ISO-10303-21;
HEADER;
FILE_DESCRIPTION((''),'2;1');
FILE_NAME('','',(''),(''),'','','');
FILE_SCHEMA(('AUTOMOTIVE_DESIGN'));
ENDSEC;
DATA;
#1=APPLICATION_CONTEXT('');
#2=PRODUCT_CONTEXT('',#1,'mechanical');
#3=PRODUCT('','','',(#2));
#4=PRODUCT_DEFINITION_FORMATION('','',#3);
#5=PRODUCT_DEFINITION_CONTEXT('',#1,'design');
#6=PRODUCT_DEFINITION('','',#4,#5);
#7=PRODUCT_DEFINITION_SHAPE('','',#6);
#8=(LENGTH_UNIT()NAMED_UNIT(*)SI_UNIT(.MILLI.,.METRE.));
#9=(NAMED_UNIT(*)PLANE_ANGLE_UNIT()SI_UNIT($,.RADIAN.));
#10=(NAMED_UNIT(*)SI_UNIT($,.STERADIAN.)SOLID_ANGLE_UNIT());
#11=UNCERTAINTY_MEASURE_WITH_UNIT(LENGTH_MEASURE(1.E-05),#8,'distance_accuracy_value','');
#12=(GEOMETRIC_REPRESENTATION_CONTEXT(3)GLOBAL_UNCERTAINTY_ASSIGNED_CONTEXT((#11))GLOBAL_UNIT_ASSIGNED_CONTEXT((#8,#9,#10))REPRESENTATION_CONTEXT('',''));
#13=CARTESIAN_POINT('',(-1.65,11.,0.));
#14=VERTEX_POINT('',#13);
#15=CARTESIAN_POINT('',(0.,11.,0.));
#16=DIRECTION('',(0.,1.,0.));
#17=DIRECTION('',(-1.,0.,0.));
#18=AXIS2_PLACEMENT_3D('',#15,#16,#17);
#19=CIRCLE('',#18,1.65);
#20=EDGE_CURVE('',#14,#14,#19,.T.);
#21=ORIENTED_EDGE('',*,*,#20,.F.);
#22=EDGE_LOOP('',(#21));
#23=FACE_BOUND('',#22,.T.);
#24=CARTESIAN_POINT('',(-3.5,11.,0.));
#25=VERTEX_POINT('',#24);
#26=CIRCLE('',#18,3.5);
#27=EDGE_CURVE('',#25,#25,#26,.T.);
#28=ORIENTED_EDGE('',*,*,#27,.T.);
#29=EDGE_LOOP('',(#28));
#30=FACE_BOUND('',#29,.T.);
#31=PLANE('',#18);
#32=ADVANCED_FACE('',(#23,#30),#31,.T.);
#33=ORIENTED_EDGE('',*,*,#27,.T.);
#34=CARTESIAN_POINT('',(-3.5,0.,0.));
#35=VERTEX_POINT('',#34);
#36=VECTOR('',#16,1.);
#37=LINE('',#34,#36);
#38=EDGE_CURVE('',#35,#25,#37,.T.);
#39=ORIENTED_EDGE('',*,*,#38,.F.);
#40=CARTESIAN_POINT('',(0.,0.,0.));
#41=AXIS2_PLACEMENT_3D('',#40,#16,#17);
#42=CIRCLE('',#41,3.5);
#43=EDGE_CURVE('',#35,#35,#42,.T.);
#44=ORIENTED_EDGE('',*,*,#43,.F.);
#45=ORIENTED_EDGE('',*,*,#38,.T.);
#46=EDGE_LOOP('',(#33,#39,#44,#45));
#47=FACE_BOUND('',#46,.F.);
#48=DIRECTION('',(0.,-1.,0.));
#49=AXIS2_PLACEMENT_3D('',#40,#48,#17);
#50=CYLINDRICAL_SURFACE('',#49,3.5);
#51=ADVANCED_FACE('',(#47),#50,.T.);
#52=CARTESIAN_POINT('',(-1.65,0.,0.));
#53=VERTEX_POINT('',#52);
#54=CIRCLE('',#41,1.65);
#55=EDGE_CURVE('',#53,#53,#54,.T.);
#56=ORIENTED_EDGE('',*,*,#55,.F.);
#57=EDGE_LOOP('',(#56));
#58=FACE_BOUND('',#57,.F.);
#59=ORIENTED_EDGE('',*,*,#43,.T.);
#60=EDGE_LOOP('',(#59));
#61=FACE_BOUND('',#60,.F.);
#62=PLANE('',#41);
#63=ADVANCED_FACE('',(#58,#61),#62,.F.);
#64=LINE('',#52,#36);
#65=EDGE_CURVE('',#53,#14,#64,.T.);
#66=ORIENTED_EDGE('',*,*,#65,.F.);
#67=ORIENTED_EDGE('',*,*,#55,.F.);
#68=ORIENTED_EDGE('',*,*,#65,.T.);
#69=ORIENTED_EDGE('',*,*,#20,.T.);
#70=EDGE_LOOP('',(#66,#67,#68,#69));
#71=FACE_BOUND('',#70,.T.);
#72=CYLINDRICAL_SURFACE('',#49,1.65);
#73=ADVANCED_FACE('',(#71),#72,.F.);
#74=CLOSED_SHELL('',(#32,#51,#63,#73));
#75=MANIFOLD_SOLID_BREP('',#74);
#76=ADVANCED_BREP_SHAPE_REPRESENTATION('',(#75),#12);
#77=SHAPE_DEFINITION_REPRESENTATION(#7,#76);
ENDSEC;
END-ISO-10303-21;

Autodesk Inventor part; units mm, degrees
ref_plane "YZ Plane" through (0, 0, 0) normal (1, 0, 0) x (0, 1, 0)
ref_plane "XZ Plane" through (0, 0, 0) normal (0, 1, 0) x (-1, 0, 0)
ref_plane "XY Plane" through (0, 0, 0) normal (0, 0, 1) x (1, 0, 0)
sketch "Skizze1" plane through (0, 0, 0) normal (0, 1, 0) x (-1, 0, 0)
  circle A0 centre (0, 0) radius 1.65
  circle A1 centre (0, 0) radius 2.75
  circle A2 centre (0, 0) radius 3.5
  dimension "d0" = 3.3
  dimension "d1" = 5.5
  dimension "d2" = 7
extrude "Extrusion1" add sketch "Skizze1" along normal blind 11 contours A1 | A2
properties part number "ZylinderM3"
